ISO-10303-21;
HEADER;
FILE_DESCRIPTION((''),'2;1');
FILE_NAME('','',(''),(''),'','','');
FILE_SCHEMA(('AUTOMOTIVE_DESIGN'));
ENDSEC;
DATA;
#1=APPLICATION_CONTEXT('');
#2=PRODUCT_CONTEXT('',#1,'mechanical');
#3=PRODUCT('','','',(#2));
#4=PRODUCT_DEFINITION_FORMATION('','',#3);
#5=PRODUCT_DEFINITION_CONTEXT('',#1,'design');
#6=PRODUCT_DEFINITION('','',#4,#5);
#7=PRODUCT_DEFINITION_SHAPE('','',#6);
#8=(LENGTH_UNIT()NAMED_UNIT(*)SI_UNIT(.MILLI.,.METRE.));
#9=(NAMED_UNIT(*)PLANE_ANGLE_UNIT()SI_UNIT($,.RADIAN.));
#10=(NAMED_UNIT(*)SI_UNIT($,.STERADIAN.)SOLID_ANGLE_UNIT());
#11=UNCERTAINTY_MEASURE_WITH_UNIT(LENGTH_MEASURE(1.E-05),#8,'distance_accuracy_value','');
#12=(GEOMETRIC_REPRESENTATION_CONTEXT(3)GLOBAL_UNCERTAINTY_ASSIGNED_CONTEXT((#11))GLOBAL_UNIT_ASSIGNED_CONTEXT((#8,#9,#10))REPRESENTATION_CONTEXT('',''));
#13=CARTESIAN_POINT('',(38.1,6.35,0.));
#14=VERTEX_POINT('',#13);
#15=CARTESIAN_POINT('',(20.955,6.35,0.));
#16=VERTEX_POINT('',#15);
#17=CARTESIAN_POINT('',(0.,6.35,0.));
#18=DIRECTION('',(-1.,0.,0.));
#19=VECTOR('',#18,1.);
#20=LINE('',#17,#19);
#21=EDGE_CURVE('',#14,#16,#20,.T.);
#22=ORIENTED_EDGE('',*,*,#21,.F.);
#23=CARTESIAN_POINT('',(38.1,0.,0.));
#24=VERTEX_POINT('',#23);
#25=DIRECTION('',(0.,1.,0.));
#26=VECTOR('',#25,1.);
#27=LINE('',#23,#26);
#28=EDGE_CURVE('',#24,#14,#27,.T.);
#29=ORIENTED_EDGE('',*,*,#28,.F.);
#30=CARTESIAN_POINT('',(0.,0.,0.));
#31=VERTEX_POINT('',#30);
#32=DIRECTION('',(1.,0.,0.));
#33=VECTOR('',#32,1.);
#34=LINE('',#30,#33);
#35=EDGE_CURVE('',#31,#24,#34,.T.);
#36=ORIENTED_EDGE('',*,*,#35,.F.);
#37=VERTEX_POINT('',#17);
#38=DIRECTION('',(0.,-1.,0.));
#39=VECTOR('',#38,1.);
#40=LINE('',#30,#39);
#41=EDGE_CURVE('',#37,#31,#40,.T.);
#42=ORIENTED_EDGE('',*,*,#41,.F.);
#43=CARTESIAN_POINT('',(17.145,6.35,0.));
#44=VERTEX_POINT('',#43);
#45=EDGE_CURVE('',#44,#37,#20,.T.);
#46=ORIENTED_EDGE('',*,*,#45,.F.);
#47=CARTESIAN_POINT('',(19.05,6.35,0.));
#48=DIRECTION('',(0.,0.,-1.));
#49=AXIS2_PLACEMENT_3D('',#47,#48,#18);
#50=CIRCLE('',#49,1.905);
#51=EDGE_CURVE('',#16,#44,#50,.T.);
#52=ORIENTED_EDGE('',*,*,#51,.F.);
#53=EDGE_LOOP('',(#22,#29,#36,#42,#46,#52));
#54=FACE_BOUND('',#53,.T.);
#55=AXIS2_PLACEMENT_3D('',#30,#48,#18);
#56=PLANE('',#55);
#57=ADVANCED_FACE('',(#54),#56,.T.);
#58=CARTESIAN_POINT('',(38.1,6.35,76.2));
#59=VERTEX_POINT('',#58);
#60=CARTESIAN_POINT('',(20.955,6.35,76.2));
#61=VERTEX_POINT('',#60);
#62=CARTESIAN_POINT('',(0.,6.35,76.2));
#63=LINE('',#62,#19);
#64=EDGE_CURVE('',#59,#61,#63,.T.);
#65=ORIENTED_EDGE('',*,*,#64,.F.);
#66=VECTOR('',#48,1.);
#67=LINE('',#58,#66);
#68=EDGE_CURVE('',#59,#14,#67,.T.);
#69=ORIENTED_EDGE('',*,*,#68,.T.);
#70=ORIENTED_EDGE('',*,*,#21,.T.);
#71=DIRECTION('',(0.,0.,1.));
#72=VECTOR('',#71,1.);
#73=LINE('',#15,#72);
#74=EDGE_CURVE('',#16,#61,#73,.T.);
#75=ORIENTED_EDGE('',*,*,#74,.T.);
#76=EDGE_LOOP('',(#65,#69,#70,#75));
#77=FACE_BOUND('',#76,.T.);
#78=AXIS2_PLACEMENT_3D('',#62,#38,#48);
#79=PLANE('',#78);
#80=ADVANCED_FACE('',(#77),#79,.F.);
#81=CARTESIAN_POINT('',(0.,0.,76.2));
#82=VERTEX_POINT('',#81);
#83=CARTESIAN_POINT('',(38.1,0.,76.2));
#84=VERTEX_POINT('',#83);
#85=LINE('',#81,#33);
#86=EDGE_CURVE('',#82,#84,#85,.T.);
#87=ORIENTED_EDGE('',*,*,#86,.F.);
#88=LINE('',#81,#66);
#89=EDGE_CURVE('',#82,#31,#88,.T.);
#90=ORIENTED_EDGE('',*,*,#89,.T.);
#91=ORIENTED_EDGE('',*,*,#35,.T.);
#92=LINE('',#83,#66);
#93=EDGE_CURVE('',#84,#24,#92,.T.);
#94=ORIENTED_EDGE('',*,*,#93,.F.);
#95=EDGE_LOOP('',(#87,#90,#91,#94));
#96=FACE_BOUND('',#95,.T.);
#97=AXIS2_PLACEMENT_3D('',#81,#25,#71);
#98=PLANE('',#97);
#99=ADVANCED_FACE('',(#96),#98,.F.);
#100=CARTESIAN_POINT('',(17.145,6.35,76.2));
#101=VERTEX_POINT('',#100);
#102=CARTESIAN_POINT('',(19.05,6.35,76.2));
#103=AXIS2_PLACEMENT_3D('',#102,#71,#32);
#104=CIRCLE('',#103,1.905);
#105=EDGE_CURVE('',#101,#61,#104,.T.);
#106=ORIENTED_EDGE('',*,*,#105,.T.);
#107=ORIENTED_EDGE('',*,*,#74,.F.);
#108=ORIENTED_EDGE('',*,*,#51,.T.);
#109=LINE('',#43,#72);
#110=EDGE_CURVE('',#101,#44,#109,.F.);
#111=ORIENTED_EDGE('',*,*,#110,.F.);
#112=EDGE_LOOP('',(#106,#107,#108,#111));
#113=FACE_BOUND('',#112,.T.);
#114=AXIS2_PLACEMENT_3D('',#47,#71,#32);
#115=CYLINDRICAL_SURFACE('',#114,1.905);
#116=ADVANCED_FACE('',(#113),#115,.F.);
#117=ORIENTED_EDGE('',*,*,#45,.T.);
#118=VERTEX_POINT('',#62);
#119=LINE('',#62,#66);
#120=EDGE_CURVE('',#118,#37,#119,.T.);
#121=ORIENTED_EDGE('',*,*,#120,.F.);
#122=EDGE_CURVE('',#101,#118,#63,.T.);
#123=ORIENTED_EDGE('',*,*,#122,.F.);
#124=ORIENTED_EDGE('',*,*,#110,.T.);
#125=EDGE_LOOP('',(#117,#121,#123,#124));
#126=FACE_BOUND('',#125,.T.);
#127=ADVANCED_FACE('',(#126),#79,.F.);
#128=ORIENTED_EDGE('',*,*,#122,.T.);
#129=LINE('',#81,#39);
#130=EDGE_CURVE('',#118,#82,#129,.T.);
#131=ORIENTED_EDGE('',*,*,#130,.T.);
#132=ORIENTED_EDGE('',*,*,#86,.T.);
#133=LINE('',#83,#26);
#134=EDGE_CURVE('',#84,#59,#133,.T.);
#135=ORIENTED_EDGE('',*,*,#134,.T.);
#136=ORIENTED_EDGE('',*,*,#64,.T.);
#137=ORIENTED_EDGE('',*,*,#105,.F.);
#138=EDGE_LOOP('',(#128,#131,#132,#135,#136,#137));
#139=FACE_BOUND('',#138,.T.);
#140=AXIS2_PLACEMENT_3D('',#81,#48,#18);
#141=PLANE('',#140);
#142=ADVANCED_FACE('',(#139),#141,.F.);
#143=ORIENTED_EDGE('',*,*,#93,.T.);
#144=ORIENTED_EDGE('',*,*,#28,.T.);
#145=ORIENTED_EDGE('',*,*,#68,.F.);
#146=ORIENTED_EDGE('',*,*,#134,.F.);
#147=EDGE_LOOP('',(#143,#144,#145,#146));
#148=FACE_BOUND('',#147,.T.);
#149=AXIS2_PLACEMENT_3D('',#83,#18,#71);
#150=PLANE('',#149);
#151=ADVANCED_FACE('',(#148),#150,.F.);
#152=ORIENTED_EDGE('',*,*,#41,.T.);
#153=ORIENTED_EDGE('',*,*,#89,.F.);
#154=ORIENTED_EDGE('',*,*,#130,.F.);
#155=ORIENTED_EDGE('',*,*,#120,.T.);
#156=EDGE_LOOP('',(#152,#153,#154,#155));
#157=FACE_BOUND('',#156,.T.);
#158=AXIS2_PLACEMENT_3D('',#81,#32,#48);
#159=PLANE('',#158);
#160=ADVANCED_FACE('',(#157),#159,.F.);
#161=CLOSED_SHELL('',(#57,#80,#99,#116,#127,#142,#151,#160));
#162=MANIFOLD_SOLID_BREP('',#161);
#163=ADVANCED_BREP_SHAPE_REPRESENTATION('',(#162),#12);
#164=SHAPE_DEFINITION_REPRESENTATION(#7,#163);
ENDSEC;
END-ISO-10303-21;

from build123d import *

# Parameters (mm, degrees)
SKETCH2_W           = 38.1
SKETCH2_H           = 6.35
BOSS_EXTRUDE1_DEPTH = 76.2
SKETCH3_R           = 1.905
CUT_EXTRUDE1_DEPTH  = 86.430512699


with BuildPart() as part:
    # Sketch2 → Boss-Extrude1 (new body)
    with BuildSketch(Plane.XY):
        with Locations((19.05, 3.175)):
            Rectangle(SKETCH2_W, SKETCH2_H)
    extrude(amount=BOSS_EXTRUDE1_DEPTH)

    # Sketch3 → Cut-Extrude1 (cut, through all)
    with BuildSketch(Plane.XY.offset(76.2)):
        with Locations((19.05, 6.35)):
            Circle(SKETCH3_R)
    extrude(amount=-CUT_EXTRUDE1_DEPTH, mode=Mode.SUBTRACT)


solid = part.part
